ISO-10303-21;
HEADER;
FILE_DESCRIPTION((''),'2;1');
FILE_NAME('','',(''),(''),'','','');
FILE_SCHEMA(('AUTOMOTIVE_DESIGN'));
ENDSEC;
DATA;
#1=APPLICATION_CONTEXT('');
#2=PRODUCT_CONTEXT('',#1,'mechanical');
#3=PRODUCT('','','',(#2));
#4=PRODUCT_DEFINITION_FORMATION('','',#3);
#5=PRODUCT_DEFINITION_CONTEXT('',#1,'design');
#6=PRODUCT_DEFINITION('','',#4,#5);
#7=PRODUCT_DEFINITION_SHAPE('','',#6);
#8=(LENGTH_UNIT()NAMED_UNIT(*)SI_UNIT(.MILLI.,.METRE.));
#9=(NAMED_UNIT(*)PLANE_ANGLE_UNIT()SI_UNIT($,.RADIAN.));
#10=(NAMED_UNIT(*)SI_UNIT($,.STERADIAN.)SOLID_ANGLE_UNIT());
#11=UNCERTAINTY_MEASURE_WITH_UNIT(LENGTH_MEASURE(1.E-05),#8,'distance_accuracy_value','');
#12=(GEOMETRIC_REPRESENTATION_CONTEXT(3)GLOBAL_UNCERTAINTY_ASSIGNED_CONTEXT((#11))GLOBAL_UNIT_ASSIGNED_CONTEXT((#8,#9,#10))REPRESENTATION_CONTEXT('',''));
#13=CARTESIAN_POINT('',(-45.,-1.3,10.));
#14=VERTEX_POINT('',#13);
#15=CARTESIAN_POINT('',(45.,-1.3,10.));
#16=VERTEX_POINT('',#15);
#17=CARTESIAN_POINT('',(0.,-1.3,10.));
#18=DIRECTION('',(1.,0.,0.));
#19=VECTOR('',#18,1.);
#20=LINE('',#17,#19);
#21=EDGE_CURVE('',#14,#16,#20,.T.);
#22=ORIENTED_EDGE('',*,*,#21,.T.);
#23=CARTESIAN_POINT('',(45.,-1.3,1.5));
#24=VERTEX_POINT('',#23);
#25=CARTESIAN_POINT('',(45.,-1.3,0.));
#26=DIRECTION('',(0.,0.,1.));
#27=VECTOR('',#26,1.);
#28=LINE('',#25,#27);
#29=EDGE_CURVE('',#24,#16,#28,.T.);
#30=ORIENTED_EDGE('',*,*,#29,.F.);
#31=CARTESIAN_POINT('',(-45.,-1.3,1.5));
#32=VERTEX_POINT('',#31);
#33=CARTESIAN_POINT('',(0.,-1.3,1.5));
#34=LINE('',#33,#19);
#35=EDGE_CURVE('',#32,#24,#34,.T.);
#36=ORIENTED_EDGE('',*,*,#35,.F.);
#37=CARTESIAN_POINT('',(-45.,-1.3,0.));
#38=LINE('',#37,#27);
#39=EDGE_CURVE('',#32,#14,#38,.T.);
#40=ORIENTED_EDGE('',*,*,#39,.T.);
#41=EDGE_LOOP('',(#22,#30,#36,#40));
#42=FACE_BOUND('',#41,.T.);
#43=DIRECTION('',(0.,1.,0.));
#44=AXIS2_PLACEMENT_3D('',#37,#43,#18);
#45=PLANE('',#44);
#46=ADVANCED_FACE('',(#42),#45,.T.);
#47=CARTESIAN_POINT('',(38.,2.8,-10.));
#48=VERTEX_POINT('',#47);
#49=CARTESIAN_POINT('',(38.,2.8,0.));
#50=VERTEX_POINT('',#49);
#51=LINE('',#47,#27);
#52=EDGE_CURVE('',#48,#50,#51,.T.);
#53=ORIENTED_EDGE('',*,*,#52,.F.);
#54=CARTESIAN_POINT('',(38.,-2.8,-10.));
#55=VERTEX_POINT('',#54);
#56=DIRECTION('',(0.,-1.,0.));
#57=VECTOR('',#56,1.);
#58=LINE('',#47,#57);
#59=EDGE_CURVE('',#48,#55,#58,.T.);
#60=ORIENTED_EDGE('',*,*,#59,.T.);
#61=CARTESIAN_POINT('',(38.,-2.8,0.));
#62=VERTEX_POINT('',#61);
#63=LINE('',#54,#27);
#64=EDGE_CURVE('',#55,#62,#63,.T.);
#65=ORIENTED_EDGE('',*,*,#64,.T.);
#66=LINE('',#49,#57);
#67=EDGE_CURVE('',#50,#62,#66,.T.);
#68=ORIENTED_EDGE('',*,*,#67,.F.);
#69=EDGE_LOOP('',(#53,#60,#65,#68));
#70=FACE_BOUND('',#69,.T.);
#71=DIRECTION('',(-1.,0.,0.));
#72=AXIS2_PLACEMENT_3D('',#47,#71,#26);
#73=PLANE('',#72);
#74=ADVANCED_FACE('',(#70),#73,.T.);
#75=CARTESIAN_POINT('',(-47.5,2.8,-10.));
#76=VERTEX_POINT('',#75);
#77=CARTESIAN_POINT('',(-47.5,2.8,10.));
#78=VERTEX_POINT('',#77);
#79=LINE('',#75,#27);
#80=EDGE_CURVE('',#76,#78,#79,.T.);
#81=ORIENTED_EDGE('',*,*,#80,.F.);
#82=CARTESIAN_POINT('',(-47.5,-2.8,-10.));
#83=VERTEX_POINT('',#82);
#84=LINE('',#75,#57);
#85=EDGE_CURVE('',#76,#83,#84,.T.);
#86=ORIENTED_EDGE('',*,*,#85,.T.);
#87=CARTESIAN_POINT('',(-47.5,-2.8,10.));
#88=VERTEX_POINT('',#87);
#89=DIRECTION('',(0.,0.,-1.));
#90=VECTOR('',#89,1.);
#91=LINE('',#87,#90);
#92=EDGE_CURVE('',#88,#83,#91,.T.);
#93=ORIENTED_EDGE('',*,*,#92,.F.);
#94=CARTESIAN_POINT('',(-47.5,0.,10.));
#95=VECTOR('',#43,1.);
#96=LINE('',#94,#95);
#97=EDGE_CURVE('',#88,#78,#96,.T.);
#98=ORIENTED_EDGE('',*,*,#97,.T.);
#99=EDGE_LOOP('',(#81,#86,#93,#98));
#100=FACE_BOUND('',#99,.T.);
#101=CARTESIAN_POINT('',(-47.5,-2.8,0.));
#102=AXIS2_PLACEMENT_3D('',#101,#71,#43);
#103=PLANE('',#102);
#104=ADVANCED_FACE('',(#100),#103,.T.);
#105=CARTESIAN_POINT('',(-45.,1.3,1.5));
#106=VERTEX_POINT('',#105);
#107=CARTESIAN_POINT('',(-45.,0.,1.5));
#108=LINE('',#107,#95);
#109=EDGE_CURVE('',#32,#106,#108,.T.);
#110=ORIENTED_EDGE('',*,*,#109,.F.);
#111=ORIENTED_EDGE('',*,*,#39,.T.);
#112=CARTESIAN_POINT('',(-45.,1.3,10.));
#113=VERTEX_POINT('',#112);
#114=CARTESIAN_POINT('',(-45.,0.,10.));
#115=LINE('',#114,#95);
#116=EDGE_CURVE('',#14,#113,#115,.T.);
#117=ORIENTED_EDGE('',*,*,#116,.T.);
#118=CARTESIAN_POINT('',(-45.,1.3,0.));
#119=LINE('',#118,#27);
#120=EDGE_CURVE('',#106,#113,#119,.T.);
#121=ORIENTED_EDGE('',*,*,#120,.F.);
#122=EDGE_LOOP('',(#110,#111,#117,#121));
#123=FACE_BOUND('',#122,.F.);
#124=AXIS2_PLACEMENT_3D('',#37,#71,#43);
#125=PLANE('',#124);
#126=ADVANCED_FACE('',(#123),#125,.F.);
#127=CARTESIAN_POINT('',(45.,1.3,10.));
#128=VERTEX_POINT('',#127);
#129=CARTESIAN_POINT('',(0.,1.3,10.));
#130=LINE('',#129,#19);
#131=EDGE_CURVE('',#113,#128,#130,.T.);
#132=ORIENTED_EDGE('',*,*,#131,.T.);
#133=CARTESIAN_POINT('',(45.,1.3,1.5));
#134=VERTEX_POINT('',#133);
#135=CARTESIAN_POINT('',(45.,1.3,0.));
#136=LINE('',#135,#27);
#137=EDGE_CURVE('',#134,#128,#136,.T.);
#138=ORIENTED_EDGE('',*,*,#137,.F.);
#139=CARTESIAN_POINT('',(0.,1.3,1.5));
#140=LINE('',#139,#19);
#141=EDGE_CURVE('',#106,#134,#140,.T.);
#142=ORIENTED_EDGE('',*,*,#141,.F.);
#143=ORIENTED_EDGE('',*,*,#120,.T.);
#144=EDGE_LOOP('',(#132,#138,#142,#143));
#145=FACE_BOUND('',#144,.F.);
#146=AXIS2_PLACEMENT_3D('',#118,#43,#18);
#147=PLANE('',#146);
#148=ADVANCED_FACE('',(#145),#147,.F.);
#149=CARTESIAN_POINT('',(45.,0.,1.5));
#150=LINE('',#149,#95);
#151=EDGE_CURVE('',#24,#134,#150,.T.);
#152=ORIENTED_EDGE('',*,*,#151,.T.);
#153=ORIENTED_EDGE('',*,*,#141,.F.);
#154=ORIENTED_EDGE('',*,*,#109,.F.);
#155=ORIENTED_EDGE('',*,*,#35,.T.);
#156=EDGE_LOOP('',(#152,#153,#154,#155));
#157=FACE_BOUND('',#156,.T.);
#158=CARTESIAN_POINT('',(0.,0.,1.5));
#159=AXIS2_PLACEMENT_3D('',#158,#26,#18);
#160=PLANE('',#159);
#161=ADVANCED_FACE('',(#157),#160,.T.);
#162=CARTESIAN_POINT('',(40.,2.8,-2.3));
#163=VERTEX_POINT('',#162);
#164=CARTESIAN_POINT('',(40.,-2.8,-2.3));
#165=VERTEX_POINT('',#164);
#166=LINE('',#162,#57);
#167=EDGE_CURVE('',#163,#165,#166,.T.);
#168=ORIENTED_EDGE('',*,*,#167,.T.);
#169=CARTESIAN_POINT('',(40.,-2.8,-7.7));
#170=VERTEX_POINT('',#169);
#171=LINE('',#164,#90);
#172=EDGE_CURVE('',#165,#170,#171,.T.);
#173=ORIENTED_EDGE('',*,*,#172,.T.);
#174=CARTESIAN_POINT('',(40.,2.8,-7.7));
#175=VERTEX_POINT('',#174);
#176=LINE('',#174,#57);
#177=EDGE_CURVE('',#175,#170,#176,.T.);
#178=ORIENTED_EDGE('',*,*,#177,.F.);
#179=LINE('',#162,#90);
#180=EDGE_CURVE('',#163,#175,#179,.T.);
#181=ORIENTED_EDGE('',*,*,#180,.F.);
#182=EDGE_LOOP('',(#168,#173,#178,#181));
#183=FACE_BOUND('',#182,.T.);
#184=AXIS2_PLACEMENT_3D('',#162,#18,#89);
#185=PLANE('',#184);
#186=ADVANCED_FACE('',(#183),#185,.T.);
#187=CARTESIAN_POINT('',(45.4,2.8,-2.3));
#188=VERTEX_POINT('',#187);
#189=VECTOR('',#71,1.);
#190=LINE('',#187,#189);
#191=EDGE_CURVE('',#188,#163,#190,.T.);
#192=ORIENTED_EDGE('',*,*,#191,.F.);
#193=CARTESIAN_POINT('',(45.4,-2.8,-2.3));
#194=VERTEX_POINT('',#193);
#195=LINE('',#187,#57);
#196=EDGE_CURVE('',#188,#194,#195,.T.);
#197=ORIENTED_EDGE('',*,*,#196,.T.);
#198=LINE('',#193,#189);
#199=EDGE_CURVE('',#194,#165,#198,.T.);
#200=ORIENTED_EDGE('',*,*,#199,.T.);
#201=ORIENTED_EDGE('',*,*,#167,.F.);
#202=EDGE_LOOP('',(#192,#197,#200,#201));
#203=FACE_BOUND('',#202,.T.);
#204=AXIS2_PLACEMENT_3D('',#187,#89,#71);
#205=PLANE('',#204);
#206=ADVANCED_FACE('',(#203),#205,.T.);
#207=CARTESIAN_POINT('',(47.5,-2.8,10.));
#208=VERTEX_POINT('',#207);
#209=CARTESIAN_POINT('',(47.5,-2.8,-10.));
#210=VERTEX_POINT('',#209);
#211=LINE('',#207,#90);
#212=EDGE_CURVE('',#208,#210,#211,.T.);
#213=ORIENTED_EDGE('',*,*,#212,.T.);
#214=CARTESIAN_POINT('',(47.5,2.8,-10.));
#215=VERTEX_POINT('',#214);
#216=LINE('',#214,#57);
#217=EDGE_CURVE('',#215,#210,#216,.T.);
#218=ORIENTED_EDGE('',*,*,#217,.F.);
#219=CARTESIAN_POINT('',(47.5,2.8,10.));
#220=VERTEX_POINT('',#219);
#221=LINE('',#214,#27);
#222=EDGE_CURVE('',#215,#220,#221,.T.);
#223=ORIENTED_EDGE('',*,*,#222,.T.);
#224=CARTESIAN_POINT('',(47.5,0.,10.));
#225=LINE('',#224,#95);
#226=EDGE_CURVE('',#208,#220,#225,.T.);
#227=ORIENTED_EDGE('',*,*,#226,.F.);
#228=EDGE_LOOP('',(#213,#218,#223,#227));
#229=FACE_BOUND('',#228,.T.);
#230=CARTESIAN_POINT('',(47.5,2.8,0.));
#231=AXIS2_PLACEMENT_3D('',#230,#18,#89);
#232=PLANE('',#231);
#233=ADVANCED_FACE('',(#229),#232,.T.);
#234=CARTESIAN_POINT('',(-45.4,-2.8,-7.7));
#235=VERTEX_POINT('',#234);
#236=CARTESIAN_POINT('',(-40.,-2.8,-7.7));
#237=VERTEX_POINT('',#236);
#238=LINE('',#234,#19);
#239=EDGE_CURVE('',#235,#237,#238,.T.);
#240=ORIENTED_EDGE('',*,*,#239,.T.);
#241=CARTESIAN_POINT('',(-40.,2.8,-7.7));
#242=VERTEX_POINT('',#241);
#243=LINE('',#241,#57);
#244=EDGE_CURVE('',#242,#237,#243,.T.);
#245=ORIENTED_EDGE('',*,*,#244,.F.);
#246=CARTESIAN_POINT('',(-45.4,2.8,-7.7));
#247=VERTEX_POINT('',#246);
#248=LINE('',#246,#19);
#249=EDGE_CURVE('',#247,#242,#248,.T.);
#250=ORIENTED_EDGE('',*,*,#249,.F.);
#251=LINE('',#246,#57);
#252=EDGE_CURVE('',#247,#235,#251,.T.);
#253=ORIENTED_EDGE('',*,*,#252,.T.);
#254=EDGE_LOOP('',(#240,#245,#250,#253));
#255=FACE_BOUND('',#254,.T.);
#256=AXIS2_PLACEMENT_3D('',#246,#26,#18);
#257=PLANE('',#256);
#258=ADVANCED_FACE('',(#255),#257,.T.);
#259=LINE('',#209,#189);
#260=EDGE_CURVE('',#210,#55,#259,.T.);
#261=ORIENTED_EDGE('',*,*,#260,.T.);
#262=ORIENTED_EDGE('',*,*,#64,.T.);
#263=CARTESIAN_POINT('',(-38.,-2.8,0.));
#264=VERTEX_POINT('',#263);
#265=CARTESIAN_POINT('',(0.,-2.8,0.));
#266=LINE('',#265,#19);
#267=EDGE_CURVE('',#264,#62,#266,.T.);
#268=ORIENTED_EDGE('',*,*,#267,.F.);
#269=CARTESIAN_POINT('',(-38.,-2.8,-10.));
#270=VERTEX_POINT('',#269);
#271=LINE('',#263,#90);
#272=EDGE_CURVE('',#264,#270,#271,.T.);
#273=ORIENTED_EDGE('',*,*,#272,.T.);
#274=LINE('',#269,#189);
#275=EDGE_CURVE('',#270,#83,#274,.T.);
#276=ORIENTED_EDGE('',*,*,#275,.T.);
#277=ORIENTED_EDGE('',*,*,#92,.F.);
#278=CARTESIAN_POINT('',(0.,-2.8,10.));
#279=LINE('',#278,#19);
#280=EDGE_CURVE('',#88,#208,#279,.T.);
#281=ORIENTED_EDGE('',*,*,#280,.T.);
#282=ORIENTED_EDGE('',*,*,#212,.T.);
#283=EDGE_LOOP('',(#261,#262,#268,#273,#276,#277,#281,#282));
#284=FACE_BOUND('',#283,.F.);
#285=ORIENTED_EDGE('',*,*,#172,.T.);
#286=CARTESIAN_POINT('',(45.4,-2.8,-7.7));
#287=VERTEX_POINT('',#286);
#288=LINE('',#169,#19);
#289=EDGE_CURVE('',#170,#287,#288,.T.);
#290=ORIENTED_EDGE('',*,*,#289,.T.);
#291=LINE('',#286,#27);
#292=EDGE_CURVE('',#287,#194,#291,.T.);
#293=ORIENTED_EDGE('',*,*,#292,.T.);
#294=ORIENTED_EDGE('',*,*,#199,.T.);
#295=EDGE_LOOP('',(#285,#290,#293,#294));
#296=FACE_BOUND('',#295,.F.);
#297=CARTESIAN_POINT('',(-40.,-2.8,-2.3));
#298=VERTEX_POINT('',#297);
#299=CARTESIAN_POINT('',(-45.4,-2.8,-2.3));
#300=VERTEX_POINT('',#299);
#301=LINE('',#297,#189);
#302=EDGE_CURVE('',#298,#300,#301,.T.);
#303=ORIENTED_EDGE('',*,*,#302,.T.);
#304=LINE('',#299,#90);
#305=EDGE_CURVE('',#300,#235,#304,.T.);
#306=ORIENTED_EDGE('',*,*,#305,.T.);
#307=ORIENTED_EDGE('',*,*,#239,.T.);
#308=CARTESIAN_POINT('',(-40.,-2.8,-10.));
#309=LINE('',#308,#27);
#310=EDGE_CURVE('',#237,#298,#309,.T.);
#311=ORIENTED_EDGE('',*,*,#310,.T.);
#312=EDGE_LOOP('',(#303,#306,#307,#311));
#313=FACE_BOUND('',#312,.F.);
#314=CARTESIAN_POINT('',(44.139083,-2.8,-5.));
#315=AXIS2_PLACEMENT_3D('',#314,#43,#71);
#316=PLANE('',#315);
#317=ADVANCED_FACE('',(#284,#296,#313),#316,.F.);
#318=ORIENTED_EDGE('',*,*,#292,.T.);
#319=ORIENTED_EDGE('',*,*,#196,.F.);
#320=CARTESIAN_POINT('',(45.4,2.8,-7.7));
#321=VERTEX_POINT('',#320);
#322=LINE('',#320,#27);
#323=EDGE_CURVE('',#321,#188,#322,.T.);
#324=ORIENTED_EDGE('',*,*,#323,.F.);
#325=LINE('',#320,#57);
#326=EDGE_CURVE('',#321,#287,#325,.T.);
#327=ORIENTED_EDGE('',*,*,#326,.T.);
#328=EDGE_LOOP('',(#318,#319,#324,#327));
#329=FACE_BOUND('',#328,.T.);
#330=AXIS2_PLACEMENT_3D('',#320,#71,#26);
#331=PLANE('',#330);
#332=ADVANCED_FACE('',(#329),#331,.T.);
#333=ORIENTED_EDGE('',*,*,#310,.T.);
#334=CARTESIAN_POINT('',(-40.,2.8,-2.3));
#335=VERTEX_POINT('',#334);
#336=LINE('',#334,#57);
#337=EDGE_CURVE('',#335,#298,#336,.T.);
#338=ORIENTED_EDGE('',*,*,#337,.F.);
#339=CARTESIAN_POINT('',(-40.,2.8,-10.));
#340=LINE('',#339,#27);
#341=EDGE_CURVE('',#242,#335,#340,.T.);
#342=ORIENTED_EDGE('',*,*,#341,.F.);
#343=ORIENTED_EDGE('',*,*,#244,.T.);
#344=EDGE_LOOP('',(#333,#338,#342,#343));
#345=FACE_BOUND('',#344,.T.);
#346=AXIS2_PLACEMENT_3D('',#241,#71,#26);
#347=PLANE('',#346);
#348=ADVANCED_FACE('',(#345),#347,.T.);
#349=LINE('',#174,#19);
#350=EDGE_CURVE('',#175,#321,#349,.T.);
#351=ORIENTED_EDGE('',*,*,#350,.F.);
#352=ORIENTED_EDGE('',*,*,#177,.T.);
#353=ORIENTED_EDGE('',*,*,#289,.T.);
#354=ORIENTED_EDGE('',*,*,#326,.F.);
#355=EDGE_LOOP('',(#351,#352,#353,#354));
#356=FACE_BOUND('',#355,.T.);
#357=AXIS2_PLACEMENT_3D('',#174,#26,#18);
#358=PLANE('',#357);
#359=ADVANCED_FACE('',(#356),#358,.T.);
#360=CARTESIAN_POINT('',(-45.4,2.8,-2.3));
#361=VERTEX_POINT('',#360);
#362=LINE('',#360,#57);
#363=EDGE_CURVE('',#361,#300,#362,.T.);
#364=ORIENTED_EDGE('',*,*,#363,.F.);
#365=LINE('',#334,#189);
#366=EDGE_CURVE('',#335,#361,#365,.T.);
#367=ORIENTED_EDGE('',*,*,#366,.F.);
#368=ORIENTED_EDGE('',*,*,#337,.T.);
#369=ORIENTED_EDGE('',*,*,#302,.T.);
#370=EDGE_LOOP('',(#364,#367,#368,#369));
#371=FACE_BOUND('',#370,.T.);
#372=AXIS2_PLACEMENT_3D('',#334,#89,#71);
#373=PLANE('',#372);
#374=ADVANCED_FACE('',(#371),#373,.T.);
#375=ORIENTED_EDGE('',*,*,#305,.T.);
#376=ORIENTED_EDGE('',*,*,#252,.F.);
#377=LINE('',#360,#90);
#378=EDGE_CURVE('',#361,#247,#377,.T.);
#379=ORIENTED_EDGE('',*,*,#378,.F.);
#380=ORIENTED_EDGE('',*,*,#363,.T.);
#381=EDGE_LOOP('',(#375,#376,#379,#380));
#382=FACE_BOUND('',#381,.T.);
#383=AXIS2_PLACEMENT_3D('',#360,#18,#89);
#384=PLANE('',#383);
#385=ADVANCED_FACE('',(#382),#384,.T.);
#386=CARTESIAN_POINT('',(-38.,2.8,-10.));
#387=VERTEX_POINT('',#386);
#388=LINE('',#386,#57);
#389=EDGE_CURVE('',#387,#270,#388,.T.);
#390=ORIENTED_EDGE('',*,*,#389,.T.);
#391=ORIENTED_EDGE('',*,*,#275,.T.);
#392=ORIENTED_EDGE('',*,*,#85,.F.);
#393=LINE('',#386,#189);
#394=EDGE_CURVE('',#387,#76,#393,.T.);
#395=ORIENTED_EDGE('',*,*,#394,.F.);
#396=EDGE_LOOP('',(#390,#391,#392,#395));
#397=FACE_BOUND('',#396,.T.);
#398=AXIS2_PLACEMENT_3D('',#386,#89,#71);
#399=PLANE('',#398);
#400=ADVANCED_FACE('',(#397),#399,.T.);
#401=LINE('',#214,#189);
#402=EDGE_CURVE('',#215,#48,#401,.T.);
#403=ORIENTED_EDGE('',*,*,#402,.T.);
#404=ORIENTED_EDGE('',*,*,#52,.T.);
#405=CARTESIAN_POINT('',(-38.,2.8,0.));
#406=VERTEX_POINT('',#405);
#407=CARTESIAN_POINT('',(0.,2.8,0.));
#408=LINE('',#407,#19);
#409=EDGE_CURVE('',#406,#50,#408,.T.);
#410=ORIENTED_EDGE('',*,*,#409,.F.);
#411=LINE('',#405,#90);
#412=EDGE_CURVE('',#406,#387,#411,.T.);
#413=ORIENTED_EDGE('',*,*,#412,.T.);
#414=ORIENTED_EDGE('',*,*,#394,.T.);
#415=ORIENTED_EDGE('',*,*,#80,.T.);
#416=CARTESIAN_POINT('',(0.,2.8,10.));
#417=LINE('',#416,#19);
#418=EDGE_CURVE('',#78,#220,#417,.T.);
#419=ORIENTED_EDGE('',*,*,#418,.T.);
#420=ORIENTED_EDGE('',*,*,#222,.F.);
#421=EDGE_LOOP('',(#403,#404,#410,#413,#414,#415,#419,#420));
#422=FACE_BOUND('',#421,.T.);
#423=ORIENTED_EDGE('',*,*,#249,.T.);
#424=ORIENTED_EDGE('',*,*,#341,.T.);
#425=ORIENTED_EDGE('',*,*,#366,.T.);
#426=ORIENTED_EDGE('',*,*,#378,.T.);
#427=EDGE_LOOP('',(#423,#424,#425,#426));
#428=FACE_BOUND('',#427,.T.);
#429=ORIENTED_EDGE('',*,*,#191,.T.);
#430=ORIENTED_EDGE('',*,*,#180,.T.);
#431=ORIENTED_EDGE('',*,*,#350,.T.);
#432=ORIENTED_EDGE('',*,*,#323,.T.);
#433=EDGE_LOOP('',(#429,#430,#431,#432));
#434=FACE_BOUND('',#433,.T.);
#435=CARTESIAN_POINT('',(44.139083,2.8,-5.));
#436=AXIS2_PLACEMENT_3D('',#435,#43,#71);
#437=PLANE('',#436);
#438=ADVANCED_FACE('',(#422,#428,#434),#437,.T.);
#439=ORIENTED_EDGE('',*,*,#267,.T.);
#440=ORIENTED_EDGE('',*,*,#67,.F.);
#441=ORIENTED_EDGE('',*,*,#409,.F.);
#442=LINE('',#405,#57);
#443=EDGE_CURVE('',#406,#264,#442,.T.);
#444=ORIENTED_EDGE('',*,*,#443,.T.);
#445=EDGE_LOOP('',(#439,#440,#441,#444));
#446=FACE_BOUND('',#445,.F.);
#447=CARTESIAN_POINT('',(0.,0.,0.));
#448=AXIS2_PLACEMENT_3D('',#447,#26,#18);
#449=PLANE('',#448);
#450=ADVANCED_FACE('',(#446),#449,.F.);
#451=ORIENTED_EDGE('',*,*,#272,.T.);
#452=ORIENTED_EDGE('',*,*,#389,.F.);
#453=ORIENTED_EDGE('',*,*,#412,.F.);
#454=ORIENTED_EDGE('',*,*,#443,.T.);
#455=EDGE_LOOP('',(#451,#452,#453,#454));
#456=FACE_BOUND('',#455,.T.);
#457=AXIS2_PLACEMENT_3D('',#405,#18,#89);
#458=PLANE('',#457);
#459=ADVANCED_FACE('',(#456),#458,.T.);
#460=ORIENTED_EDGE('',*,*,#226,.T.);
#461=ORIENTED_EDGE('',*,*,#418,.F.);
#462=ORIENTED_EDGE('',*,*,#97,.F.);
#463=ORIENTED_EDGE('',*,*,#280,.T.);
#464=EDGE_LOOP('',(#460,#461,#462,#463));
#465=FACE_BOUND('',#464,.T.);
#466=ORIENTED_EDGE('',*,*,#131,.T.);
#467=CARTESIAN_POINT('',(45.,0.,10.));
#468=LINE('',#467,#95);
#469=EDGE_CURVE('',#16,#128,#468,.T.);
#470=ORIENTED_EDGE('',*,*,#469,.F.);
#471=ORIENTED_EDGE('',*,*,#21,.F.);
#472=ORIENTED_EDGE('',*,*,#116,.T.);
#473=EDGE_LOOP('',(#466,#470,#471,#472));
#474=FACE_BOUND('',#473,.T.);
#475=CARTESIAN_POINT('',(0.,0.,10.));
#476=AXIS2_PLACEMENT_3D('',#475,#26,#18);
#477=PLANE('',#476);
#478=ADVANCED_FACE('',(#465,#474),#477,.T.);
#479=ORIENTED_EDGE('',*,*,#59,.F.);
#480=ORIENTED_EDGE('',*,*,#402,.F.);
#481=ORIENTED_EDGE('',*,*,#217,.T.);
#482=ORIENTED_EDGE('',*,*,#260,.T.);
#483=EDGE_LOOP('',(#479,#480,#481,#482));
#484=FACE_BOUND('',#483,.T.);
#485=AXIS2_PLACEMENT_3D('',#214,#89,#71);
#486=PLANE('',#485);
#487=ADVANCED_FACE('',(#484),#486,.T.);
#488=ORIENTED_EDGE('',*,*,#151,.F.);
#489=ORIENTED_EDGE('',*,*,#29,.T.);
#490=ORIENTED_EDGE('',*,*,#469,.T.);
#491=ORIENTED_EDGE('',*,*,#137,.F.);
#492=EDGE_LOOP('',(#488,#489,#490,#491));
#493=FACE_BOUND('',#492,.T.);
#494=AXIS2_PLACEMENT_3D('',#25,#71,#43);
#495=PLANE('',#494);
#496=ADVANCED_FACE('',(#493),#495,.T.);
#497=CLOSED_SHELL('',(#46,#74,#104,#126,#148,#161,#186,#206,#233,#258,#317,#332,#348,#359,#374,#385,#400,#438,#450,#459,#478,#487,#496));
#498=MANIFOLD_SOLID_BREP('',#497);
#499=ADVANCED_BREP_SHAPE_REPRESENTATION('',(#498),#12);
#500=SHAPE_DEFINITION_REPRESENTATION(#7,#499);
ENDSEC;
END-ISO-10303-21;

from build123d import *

# Parameters (mm, degrees)
F0_W     = 95
F0_H     = 5.6
F0_W_2   = 90
F0_H_2   = 2.6
F1_DEPTH = 10
F2_DEPTH = 1.5
F4_DEPTH = 5.6


with BuildPart() as f1:
    # F0 (on Top) → F1 (new body)
    with BuildSketch(Plane.XY):
        Rectangle(F0_W, F0_H)
        Rectangle(F0_W_2, F0_H_2, mode=Mode.SUBTRACT)
    extrude(amount=F1_DEPTH)

    # F0 (on Top) → F2 (join)
    with BuildSketch(Plane.XY):
        Rectangle(F0_W_2, F0_H_2)
    extrude(amount=F2_DEPTH)

    # F3 (on face) → F4 (join)
    with BuildSketch(Plane(origin=(0, 2.8, 0), x_dir=(-1, 0, 0), z_dir=(0, 1, 0))):
        Polygon((-40, -2.3), (-40, 0), (-47.5, 0), (-47.5, -10), (-40, -10), (-40, -7.7), (-45.4, -7.7), (-45.4, -2.3), align=None)
        Polygon((-38, -10), (-38, 0), (-40, 0), (-40, -2.3), (-40, -7.7), (-40, -10), align=None)
        Polygon((40, -2.3), (40, 0), (38, 0), (38, -10), (40, -10), (40, -7.7), align=None)
        Polygon((47.5, 0), (40, 0), (40, -2.3), (45.4, -2.3), (45.4, -7.7), (40, -7.7), (40, -10), (47.5, -10), align=None)
    extrude(amount=-F4_DEPTH)


solid = f1.part
